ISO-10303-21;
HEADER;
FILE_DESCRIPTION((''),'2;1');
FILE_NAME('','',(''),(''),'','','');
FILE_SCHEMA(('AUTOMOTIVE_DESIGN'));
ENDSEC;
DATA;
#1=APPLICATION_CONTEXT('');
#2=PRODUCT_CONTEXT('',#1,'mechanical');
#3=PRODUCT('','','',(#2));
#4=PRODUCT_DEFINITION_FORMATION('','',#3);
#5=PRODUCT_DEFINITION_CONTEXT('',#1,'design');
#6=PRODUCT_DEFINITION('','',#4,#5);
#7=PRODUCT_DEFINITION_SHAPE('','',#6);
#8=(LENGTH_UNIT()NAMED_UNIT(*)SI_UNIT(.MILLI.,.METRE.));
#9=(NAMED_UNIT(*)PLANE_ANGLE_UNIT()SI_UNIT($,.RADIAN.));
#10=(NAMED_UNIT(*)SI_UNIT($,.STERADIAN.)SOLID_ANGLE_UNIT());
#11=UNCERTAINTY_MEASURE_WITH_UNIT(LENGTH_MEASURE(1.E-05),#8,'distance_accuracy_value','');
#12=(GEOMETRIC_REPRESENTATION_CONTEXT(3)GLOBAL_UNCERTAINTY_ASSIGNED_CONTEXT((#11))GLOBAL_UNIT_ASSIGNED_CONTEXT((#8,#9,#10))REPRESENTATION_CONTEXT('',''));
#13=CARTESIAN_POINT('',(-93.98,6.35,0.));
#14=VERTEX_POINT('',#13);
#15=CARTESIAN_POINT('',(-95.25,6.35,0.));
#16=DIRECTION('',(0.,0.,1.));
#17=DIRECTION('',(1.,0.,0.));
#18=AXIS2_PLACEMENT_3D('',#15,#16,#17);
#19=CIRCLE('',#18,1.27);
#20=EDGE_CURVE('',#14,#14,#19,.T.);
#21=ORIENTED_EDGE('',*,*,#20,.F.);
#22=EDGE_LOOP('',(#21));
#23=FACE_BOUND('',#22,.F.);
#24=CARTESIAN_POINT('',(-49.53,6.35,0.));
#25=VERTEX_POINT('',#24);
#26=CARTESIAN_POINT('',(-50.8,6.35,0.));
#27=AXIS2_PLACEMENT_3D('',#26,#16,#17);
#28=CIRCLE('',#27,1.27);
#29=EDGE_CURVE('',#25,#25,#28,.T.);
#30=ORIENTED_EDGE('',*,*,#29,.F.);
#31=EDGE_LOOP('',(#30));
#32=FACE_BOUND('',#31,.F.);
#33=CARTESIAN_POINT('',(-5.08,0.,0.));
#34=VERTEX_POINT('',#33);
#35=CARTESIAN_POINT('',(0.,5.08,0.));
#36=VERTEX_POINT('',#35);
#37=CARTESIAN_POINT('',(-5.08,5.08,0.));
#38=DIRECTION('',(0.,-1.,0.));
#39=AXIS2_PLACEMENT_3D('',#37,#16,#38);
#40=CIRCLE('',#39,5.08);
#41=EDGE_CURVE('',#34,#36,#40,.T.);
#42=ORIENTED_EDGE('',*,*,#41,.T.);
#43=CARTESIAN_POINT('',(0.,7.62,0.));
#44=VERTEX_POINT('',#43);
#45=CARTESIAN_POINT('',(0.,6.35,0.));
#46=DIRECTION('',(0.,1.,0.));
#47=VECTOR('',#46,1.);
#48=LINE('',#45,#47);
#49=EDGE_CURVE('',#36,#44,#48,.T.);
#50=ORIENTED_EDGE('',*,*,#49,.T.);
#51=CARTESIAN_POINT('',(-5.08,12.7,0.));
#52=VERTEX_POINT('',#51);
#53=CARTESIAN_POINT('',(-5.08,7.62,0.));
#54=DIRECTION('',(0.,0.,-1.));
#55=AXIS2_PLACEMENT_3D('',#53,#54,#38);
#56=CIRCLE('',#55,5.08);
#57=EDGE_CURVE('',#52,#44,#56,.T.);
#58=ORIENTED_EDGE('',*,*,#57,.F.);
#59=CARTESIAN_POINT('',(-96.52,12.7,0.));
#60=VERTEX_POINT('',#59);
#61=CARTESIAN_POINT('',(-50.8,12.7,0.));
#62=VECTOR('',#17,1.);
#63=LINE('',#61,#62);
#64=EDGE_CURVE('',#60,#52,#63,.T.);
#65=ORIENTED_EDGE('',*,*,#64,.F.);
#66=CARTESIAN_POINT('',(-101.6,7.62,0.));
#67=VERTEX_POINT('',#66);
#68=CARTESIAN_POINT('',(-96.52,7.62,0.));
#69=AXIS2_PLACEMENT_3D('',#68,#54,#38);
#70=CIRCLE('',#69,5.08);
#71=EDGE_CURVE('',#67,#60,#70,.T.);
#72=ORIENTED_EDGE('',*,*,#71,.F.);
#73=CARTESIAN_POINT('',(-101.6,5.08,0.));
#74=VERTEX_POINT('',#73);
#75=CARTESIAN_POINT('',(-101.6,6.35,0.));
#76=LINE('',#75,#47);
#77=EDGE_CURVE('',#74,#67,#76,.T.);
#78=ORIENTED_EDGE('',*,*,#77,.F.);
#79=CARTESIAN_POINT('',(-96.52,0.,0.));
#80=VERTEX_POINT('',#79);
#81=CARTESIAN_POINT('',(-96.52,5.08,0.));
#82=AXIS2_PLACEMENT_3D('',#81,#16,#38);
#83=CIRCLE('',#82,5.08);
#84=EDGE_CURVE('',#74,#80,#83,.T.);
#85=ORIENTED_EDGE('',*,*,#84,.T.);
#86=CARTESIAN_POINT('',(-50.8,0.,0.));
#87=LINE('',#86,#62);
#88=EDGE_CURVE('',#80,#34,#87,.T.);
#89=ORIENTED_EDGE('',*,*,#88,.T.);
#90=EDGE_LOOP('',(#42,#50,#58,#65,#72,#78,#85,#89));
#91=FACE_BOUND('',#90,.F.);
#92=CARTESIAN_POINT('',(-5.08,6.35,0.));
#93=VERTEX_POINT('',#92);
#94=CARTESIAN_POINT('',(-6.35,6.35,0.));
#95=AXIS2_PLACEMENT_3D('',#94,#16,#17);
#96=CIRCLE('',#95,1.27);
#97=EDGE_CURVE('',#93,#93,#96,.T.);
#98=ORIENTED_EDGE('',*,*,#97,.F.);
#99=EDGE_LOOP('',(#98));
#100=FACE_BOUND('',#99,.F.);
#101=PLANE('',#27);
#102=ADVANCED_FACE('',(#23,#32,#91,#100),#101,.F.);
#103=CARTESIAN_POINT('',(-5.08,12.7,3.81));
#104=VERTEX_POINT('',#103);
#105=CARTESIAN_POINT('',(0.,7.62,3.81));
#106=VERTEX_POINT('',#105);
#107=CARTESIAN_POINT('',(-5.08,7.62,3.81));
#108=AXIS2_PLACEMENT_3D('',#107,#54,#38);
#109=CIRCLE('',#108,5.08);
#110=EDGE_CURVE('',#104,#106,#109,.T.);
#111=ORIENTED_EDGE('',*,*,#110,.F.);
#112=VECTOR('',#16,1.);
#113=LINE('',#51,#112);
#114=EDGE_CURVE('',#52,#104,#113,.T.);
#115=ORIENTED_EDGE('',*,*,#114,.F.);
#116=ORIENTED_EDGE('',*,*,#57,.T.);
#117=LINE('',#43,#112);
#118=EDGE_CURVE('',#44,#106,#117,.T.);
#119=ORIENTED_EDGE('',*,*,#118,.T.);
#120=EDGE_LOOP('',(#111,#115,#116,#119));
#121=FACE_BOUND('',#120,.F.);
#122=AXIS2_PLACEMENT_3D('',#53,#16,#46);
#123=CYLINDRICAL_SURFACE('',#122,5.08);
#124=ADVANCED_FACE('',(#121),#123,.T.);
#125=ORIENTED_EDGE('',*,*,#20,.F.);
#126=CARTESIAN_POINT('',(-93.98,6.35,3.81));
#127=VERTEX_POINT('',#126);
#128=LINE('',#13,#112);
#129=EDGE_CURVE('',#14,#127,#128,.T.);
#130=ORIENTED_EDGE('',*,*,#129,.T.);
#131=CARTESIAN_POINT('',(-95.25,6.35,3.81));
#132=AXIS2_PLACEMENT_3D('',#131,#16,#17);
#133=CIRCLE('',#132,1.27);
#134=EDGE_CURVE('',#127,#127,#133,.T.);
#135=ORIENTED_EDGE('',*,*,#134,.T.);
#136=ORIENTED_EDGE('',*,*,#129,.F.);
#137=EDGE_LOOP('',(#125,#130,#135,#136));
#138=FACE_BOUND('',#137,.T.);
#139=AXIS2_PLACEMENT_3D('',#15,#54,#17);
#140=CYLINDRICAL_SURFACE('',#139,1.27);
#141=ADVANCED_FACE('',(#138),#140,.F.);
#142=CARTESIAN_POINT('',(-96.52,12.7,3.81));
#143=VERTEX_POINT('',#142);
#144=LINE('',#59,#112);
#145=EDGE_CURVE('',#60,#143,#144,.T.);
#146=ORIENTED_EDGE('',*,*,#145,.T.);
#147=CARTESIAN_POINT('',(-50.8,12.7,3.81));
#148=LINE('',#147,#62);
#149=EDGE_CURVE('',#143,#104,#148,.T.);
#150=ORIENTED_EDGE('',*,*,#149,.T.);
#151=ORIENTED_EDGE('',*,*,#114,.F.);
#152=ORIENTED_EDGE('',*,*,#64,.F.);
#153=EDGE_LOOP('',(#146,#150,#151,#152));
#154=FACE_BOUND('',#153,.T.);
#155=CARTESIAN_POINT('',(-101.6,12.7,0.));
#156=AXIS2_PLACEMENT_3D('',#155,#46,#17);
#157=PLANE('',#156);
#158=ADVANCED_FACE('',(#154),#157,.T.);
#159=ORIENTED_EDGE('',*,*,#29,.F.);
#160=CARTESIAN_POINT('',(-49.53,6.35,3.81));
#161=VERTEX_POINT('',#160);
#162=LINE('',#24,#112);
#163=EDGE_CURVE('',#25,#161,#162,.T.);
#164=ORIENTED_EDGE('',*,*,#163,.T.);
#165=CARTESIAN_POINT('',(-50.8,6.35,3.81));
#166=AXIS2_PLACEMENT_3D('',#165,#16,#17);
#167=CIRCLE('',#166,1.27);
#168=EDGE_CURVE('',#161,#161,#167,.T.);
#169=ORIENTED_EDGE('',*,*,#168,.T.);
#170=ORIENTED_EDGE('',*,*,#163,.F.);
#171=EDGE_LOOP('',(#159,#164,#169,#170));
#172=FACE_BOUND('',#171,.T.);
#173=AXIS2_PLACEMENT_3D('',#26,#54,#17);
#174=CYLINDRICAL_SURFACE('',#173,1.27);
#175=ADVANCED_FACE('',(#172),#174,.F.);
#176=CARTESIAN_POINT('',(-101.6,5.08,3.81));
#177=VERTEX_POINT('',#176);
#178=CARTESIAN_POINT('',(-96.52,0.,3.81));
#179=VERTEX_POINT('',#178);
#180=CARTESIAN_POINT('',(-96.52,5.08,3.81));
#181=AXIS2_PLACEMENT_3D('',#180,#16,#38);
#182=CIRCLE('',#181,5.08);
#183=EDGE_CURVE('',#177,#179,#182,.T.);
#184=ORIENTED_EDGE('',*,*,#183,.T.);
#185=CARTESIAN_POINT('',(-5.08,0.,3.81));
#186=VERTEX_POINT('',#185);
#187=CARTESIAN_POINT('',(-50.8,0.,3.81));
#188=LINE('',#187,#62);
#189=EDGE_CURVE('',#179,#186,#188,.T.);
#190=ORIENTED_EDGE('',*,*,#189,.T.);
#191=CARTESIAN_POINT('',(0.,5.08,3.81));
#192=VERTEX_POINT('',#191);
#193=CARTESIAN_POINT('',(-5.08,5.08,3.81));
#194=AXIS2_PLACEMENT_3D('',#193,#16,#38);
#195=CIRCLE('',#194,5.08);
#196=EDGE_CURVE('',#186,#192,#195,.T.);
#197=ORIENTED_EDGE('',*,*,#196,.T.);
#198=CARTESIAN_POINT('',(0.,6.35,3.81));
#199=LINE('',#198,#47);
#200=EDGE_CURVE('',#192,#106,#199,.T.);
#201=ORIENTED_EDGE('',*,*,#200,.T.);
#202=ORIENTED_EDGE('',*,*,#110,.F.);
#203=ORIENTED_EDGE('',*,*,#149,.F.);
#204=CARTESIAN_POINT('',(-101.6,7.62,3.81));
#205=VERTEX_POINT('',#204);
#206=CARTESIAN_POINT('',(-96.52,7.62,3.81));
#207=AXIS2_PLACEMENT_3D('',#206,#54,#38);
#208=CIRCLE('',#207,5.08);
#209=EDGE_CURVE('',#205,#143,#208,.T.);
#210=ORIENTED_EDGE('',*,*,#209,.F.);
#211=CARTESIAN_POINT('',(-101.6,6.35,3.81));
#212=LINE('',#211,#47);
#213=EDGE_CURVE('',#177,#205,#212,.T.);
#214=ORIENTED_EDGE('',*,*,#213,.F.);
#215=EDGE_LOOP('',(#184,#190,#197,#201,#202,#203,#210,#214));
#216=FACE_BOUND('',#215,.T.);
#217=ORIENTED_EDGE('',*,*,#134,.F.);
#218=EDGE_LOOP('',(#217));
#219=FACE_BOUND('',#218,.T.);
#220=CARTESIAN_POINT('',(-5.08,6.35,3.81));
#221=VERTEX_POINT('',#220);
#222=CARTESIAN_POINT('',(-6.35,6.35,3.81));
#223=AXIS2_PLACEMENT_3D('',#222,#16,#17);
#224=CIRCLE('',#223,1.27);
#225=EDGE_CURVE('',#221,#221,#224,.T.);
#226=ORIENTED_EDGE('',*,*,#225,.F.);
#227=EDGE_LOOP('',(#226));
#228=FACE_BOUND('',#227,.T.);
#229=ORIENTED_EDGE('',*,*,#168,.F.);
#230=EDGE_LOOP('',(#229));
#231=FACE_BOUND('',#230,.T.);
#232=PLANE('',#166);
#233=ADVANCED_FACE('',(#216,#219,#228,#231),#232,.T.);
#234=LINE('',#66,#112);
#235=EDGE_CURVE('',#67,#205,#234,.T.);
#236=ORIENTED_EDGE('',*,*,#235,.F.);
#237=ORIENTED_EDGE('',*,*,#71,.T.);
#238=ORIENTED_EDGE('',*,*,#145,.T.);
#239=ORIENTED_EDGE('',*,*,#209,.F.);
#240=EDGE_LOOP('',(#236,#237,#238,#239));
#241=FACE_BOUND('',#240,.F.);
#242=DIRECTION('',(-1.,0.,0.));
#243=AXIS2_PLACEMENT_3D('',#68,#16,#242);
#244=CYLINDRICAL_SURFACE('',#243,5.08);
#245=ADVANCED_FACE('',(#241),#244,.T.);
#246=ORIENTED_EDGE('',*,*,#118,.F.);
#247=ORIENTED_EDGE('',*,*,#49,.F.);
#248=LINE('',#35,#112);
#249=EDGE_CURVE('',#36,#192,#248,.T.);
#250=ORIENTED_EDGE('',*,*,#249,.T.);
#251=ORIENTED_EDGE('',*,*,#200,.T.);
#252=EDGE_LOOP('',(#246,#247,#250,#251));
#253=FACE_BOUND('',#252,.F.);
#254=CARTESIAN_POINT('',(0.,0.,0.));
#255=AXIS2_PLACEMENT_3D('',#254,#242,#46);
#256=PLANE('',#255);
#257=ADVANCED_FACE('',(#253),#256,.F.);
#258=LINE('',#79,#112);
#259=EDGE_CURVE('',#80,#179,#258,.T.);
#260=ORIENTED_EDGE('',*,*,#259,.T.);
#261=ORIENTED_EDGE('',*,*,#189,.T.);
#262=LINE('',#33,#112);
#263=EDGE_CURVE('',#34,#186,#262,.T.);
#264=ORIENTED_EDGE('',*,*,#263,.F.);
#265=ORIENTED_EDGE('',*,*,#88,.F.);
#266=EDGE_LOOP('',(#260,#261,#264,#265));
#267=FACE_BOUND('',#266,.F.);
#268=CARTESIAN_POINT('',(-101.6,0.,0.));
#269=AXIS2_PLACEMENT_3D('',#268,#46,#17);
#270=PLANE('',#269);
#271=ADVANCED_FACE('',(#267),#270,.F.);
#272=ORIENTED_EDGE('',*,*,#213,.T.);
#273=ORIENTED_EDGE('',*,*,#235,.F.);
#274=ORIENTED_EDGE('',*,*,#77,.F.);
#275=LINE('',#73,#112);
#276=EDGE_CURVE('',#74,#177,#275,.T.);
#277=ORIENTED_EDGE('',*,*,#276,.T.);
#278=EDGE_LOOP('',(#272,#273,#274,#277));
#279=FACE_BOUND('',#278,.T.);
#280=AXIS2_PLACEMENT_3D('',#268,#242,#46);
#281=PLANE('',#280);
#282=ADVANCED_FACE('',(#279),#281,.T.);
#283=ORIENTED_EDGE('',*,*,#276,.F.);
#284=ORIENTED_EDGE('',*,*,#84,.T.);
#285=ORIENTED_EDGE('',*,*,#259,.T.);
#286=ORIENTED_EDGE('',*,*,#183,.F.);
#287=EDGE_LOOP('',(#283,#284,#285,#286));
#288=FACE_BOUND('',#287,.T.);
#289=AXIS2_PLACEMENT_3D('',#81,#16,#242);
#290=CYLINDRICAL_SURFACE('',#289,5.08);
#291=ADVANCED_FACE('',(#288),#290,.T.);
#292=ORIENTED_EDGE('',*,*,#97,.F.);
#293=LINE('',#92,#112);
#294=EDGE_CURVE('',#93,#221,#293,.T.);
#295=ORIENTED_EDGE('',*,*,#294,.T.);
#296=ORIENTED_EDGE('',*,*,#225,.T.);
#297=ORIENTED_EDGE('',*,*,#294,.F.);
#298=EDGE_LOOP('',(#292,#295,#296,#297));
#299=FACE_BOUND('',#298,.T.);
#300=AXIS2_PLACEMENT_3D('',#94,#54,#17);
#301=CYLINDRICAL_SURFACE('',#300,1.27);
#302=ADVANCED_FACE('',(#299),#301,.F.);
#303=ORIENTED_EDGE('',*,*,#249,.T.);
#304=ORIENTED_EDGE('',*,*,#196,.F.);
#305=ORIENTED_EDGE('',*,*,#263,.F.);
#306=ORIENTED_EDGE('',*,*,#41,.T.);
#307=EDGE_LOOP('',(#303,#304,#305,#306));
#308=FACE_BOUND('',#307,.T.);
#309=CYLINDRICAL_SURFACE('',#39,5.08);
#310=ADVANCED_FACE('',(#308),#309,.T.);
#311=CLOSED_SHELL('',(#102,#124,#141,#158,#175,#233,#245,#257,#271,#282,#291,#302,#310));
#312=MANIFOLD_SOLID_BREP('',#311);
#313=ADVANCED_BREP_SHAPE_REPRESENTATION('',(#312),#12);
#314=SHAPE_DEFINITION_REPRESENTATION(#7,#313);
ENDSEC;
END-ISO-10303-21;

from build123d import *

# Parameters (mm, degrees)
F0_W     = 101.6
F0_H     = 12.7
F0_R     = 1.27
F1_DEPTH = 3.81
F2_R     = 5.08


with BuildPart() as f1:
    # F0 (on Top) → F1 (new body)
    with BuildSketch(Plane.XY):
        with Locations((-50.8, 6.35)):
            Rectangle(F0_W, F0_H)
        with Locations((-95.25, 6.35)):
            Circle(F0_R, mode=Mode.SUBTRACT)
        with Locations((-50.8, 6.35)):
            Circle(F0_R, mode=Mode.SUBTRACT)
        with Locations((-6.35, 6.35)):
            Circle(F0_R, mode=Mode.SUBTRACT)
    extrude(amount=F1_DEPTH)

    # F2
    f2_edges = [f1.edges().sort_by_distance(p)[0] for p in [
        (0, 0, 1.905),
        (0, 12.7, 1.905),
        (-101.6, 12.7, 1.905),
        (-101.6, 0, 1.905),
    ]]
    fillet(f2_edges, radius=F2_R)


solid = f1.part
